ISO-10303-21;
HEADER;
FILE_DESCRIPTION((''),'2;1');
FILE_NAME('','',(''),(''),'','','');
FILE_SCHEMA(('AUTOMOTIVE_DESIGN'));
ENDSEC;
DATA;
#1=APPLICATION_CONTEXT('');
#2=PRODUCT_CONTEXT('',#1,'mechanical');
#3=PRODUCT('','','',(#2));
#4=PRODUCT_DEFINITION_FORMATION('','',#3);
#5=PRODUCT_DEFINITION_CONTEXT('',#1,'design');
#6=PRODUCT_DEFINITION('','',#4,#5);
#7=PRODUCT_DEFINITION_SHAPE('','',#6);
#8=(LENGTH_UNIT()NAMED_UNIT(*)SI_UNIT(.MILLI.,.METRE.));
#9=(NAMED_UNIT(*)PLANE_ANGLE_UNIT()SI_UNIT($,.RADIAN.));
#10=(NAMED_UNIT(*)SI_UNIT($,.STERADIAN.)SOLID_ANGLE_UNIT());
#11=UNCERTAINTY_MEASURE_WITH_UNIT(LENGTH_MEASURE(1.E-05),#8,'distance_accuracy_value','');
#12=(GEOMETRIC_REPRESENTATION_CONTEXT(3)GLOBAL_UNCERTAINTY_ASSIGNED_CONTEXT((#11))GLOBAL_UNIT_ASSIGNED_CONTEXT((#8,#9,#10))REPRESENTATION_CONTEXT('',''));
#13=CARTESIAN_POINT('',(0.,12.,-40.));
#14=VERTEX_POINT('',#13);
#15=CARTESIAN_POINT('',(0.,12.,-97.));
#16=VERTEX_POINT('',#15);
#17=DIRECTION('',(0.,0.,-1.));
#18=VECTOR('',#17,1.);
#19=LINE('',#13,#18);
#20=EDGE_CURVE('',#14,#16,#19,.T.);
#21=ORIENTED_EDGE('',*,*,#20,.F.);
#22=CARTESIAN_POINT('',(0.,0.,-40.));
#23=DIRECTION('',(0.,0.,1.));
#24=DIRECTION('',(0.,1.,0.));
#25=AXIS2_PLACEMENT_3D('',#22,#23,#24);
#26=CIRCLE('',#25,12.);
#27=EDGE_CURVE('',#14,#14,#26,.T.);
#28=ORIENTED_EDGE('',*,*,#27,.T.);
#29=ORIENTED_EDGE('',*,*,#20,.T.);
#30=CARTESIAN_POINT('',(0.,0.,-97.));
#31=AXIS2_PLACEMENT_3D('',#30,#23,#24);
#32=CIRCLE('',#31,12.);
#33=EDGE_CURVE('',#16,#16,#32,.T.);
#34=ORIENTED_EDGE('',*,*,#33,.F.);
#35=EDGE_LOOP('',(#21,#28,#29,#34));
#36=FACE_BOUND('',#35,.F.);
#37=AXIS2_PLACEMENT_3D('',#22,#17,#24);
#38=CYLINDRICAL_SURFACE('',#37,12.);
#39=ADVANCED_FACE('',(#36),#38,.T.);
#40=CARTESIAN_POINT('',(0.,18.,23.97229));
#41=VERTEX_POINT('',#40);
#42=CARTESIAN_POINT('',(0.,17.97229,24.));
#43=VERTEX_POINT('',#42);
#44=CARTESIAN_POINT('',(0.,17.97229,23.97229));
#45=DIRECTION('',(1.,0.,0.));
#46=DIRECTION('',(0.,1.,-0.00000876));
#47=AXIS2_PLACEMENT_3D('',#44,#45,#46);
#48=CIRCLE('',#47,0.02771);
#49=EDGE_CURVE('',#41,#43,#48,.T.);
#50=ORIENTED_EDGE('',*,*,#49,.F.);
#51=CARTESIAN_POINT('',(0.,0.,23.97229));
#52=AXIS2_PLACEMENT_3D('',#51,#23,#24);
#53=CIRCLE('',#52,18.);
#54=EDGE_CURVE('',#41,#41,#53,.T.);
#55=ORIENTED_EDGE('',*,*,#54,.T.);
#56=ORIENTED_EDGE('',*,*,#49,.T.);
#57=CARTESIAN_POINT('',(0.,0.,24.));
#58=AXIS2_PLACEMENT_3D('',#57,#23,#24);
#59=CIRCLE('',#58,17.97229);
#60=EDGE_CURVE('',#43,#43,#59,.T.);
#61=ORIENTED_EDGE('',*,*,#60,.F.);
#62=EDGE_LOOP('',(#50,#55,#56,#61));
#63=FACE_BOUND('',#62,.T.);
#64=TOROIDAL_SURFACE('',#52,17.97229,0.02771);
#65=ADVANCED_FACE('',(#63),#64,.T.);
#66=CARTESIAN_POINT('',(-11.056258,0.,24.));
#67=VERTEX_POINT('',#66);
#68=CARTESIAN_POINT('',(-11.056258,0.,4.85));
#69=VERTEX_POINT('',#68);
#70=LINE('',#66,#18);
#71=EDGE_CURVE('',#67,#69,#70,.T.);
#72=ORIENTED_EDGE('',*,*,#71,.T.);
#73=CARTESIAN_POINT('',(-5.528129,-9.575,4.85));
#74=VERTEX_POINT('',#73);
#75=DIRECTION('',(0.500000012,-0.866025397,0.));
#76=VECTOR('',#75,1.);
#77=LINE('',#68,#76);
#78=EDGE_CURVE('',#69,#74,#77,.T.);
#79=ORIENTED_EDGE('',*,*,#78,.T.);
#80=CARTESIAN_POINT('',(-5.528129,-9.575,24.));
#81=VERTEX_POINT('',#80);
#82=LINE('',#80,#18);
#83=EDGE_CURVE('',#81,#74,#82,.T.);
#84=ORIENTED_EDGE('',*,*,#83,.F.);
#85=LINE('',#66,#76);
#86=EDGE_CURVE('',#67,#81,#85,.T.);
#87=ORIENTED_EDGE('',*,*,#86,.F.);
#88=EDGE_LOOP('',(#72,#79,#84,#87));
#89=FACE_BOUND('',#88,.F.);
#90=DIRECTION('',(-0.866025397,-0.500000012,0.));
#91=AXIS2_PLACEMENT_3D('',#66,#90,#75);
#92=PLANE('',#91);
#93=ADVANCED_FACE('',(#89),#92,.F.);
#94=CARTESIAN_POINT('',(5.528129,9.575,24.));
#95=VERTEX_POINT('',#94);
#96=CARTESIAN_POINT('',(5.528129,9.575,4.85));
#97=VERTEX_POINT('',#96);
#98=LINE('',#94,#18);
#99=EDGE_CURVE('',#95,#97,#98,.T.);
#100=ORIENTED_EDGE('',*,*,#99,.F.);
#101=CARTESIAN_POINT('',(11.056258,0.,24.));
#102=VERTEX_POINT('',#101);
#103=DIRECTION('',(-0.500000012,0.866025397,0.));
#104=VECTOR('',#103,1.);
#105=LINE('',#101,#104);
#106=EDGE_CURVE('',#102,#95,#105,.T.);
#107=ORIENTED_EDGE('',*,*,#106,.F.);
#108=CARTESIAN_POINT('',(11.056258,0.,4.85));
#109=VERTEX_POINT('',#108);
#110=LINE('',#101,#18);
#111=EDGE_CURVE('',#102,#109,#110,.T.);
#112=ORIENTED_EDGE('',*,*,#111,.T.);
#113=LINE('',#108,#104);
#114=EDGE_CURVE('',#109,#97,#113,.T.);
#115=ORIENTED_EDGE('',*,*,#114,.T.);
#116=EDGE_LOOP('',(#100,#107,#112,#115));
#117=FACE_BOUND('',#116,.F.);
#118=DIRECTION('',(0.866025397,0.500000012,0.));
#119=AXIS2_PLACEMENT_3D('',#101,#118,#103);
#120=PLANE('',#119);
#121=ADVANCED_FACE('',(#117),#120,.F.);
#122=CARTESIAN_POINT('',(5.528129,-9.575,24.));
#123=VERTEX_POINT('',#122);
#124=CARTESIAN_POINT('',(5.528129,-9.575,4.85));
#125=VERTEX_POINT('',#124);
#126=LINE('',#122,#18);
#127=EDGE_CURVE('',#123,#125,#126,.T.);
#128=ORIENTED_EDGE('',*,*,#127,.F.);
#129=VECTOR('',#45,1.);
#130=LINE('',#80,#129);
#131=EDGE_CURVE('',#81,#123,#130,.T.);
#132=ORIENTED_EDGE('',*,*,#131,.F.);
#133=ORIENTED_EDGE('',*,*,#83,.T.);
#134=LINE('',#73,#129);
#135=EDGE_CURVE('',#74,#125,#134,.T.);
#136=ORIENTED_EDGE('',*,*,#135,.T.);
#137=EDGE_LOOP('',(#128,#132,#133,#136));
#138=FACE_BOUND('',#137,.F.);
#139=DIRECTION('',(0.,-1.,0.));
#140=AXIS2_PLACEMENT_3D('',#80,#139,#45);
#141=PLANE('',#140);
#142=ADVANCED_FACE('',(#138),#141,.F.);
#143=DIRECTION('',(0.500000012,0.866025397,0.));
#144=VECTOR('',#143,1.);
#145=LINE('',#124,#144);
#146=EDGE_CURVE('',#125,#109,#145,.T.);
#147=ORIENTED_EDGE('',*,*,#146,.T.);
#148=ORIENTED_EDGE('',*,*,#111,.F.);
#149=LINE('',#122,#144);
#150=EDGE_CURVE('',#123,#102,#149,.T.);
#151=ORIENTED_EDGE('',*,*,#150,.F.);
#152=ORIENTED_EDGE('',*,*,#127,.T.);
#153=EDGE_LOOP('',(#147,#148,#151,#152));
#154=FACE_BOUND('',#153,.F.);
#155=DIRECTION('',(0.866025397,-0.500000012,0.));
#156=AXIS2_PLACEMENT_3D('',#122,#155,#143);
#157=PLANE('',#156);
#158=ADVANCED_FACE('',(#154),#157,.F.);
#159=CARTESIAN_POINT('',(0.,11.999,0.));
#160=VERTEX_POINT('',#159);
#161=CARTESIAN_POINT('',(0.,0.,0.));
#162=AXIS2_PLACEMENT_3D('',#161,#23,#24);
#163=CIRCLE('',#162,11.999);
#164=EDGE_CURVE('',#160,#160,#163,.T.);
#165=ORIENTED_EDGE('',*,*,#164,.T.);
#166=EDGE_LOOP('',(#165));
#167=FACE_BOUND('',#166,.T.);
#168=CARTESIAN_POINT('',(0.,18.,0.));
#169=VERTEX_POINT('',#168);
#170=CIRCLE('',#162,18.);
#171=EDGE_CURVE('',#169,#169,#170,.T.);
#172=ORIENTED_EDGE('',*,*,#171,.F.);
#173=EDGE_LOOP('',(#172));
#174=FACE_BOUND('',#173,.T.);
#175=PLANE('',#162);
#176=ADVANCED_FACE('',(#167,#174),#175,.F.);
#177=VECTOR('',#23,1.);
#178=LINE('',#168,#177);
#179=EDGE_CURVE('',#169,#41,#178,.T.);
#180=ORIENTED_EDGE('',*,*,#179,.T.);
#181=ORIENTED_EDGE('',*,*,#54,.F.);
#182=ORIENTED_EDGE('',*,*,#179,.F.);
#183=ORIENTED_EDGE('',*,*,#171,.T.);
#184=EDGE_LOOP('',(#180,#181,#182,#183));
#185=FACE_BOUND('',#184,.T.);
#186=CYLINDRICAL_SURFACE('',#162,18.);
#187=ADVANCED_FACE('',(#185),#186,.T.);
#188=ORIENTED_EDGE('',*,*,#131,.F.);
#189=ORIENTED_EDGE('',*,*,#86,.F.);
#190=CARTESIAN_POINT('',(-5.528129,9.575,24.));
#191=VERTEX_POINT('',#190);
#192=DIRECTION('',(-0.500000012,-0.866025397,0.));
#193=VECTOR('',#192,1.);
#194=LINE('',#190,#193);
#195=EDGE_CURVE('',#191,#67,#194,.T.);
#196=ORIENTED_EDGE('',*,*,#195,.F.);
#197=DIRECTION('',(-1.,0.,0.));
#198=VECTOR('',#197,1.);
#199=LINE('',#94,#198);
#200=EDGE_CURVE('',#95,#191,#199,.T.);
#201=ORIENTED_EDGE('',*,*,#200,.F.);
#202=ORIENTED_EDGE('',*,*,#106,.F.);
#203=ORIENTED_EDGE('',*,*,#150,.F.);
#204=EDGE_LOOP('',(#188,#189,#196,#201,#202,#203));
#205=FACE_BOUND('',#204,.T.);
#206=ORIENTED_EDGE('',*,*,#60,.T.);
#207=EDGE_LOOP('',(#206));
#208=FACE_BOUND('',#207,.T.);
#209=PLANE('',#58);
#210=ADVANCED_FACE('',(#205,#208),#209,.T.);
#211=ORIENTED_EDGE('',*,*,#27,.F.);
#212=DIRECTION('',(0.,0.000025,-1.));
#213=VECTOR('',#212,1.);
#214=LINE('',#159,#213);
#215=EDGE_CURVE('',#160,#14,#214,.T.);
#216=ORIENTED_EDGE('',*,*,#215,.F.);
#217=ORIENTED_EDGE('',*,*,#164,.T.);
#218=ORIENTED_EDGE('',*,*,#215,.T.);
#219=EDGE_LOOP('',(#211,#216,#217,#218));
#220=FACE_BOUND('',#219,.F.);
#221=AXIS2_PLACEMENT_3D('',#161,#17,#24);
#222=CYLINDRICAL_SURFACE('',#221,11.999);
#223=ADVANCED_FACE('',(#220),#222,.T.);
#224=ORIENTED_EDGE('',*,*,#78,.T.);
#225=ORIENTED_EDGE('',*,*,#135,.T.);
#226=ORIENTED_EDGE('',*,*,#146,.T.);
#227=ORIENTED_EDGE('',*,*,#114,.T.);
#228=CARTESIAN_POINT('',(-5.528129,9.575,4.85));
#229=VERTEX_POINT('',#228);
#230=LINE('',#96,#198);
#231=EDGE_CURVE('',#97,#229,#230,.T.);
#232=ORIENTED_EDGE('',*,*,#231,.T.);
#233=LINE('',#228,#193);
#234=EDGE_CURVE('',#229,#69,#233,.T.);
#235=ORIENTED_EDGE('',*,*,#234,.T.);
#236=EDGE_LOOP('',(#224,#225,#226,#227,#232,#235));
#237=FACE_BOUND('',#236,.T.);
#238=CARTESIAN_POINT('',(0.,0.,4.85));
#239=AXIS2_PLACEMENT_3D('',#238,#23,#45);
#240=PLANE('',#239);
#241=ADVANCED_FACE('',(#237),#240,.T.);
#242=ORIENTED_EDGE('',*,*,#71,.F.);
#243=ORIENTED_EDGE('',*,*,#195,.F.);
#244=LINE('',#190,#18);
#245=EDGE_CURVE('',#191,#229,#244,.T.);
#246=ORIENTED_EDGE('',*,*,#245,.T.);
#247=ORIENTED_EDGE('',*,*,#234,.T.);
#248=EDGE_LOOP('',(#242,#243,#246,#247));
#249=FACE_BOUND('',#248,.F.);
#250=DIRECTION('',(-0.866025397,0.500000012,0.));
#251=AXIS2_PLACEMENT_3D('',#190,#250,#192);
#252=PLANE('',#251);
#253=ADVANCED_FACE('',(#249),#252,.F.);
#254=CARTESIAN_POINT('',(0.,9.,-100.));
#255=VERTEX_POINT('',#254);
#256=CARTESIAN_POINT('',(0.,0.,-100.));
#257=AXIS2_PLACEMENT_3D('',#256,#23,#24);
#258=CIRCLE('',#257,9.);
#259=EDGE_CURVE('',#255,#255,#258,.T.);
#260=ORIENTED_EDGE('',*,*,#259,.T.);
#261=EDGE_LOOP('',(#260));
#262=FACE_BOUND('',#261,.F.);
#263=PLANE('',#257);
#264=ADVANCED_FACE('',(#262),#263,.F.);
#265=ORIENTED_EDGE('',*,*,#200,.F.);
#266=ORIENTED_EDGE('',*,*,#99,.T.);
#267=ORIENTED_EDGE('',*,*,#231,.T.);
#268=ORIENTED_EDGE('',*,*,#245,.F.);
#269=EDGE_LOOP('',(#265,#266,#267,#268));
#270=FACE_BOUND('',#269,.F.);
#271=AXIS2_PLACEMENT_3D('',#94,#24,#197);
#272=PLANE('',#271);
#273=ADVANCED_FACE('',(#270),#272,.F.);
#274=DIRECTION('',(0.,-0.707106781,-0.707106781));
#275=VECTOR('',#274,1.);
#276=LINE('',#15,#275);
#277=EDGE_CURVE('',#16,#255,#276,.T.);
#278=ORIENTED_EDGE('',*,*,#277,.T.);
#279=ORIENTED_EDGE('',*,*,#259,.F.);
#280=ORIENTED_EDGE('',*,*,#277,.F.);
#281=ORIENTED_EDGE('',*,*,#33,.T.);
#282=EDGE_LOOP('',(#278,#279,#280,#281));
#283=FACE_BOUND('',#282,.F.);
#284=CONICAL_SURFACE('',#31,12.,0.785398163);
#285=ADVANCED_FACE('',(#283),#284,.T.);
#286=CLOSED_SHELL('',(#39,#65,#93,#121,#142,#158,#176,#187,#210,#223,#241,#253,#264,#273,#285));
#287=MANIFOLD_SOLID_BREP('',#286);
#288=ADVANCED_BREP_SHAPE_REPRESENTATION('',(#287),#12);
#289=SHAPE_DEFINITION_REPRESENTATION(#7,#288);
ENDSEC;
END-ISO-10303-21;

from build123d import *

# Parameters (mm, degrees)
POCKET_DEPTH = 19.15


with BuildPart() as part:
    # Sketch → Revolve (revolve)
    with BuildSketch(Plane.YZ):
        with BuildLine():
            Line((11.999, 0), (18, 0))
            Line((18, 0), (18, 23.97229))
            ThreePointArc((18, 23.97229), (17.991884, 23.991884), (17.97229, 24))
            Line((17.97229, 24), (0, 24))
            Line((0, -100), (0, 24))
            Line((9, -100), (0, -100))
            Line((12, -97), (9, -100))
            Line((12, -40), (12, -97))
            Line((11.999, 0), (12, -40))
        make_face()
    revolve(axis=Axis((0, 0, 0), (0, 0, 1)))

    # Sketch001 → Pocket (cut)
    with BuildSketch(Plane.XY.offset(24)):
        Polygon((11.056258, 0), (5.528129, 9.575), (-5.528129, 9.575), (-11.056258, 0), (-5.528129, -9.575), (5.528129, -9.575), align=None)
    extrude(amount=-POCKET_DEPTH, mode=Mode.SUBTRACT)


solid = part.part
